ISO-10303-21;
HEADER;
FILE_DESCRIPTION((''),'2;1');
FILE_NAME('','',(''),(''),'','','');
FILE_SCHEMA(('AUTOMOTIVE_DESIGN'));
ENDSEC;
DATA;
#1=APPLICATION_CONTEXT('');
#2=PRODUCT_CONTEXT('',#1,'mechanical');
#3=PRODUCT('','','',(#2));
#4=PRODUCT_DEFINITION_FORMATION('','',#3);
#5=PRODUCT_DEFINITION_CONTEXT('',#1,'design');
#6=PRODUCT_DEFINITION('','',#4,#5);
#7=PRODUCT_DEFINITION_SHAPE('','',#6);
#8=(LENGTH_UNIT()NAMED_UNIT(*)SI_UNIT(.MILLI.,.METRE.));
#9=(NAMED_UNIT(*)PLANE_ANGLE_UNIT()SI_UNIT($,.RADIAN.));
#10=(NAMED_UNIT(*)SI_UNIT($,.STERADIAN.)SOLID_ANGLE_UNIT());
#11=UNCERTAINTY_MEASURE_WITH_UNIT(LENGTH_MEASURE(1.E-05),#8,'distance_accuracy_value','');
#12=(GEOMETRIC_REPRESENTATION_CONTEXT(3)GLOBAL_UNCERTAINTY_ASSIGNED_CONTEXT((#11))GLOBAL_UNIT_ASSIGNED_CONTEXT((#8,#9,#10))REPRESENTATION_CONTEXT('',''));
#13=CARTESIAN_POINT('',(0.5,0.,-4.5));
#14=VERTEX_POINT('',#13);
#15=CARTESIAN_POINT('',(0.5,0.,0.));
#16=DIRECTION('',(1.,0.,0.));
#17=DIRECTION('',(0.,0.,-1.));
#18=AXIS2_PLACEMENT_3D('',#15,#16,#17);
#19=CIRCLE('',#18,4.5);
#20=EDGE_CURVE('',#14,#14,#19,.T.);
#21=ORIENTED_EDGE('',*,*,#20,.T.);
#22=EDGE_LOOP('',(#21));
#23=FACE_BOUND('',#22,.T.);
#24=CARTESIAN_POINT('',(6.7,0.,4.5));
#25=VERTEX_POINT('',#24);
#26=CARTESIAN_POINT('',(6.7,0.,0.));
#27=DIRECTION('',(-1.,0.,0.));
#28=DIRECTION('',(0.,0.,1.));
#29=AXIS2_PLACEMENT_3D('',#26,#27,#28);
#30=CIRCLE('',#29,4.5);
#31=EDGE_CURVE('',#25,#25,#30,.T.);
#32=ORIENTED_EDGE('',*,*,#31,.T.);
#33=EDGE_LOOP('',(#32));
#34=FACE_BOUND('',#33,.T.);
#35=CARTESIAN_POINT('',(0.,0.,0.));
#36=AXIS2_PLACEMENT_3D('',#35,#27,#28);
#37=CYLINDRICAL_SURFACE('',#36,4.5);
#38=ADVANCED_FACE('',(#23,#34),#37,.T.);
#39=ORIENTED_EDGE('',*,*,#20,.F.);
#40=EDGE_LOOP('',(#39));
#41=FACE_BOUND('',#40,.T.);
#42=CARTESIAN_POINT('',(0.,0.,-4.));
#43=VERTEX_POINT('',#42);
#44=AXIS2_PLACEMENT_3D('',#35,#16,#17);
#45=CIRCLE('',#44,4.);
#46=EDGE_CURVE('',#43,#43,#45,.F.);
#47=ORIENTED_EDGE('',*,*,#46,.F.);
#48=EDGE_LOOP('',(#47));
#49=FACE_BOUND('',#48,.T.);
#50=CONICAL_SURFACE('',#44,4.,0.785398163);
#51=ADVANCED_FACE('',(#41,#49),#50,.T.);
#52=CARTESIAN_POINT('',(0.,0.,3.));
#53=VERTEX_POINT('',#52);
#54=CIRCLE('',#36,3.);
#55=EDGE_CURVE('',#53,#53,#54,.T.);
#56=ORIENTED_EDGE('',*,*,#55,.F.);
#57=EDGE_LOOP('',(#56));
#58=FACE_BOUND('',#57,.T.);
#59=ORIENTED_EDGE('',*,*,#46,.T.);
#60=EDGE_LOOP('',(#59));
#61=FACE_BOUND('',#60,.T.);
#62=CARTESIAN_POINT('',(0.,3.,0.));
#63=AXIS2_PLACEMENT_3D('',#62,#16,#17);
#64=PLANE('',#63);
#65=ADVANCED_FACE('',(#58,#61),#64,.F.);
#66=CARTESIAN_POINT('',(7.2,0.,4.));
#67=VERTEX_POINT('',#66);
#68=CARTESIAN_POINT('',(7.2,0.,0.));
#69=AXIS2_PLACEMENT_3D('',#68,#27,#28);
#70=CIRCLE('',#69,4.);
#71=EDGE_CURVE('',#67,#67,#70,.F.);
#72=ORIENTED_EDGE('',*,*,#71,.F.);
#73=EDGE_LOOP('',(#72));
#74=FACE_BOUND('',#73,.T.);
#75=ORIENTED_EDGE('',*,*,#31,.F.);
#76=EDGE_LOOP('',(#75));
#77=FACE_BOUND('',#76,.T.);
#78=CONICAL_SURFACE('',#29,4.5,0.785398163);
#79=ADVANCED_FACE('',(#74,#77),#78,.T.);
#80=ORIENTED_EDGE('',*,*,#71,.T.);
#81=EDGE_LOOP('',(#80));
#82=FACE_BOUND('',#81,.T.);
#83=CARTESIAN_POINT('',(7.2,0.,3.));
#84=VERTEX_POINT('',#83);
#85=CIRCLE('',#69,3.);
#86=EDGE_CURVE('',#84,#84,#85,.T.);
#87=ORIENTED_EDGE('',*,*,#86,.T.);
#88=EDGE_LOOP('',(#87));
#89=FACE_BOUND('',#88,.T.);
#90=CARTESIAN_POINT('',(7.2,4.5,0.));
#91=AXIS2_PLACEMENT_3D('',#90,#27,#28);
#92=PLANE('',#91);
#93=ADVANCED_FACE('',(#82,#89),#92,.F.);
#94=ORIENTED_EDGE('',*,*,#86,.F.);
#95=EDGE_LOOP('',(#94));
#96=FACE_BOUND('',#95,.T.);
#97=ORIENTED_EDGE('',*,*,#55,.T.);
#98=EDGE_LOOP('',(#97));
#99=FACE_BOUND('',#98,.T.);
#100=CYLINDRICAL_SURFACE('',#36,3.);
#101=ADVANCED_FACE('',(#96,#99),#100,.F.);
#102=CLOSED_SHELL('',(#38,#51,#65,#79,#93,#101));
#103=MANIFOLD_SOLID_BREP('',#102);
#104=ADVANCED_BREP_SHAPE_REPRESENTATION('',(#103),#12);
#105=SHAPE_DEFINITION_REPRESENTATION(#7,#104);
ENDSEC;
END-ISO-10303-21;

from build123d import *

# Parameters (mm, degrees)
SKETCH1_W     = 7.2
SKETCH1_H     = 1.5
CHAMFER1_SIZE = 0.5


with BuildPart() as part:
    # Sketch1 → Revolve1 (revolve)
    with BuildSketch(Plane.XY):
        with Locations((3.6, 3.75)):
            Rectangle(SKETCH1_W, SKETCH1_H)
    revolve(axis=Axis((0, 0, 0), (1, 0, 0)))

    # Chamfer1
    chamfer1_edges = [part.edges().sort_by_distance(p)[0] for p in [
        (7.2, -4.5, 0),
        (0, -4.5, 0),
    ]]
    chamfer(chamfer1_edges, length=CHAMFER1_SIZE)


solid = part.part
